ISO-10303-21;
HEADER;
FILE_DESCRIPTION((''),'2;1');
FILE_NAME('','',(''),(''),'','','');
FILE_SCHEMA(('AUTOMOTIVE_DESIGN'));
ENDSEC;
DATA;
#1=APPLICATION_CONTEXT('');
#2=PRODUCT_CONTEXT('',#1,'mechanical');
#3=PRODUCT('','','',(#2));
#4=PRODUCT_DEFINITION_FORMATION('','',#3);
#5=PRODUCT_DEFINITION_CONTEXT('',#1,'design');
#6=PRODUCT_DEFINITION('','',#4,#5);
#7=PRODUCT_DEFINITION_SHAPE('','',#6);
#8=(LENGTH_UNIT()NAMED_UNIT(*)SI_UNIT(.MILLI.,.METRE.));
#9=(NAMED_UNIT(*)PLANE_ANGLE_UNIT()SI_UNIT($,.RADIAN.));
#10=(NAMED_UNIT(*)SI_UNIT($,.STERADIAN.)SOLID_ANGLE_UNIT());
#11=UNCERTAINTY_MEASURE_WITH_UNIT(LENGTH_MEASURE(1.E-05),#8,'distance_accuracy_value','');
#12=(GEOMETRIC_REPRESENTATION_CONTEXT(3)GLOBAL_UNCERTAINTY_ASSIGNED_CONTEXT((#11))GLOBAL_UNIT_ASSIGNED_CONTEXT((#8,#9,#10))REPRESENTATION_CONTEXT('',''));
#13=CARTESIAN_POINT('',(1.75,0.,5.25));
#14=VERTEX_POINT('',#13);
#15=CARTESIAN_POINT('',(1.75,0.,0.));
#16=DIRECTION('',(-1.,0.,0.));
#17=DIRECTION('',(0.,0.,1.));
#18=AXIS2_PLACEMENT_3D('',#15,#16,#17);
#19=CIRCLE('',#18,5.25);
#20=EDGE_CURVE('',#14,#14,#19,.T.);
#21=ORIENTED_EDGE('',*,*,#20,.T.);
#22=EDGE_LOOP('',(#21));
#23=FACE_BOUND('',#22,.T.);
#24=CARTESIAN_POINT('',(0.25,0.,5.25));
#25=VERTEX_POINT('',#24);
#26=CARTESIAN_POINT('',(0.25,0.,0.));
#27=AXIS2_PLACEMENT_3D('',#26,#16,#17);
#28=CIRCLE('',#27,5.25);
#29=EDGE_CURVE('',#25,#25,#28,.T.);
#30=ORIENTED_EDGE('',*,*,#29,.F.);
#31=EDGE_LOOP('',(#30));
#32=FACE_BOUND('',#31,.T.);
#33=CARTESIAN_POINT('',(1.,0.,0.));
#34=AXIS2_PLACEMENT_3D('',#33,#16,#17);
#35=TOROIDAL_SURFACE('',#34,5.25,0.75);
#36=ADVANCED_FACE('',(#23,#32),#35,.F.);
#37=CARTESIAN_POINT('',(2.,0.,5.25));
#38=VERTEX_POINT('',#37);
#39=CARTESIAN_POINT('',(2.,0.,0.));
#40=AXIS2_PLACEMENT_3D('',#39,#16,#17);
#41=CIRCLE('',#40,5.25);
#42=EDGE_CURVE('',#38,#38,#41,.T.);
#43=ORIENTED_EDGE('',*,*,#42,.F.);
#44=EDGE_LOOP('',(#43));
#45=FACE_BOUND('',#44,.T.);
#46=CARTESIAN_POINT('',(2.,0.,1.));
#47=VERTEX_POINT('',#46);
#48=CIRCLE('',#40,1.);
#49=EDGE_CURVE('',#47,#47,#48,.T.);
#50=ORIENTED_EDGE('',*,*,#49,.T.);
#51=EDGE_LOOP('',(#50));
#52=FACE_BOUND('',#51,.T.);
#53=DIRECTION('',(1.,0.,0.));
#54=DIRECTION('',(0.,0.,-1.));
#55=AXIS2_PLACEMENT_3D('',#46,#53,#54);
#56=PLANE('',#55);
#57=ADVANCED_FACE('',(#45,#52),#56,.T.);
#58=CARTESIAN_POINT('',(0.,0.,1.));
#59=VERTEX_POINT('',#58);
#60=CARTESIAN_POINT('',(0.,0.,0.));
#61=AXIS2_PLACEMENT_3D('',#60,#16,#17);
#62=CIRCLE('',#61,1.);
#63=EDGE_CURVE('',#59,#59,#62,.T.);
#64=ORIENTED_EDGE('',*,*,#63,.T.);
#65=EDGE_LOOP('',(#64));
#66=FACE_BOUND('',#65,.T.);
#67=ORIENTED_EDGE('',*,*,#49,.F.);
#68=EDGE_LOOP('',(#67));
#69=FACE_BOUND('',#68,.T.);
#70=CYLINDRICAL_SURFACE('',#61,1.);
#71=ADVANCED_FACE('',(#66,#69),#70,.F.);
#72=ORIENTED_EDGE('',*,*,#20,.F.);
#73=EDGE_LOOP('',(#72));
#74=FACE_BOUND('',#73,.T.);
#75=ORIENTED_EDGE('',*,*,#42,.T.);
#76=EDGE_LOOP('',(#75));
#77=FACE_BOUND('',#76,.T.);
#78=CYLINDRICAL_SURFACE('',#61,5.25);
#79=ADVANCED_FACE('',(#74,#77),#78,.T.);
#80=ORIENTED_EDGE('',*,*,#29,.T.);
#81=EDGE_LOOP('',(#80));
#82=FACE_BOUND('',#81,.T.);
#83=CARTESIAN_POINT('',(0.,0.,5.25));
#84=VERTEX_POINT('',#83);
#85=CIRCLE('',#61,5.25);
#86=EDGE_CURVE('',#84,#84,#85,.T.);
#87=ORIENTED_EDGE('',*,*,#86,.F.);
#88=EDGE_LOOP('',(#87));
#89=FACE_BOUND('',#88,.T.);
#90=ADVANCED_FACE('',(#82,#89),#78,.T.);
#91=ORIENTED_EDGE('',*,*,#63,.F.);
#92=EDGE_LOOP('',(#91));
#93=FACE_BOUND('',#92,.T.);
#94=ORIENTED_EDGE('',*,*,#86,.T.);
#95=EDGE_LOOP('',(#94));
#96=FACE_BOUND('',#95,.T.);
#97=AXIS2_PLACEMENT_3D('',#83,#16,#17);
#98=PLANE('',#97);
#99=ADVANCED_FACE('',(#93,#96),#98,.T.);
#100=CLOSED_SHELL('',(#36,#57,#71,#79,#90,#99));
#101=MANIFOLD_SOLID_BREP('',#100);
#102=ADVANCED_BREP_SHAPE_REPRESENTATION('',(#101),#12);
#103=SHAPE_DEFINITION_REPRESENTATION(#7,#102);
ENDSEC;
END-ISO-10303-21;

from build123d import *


with BuildPart() as part:
    # Sketch1 → Revolve1 (revolve)
    with BuildSketch(Plane(origin=(0, 0, 0), x_dir=(1, 0, 0), z_dir=(0, 1, 0))):
        with BuildLine():
            Line((0, -1), (2, -1))
            Line((2, -1), (2, -5.25))
            Line((2, -5.25), (1.75, -5.25))
            ThreePointArc((1.75, -5.25), (1, -4.5), (0.25, -5.25))
            Line((0.25, -5.25), (0, -5.25))
            Line((0, -5.25), (0, -1))
        make_face()
    revolve(axis=Axis((0, 0, 0), (1, 0, 0)))


solid = part.part
